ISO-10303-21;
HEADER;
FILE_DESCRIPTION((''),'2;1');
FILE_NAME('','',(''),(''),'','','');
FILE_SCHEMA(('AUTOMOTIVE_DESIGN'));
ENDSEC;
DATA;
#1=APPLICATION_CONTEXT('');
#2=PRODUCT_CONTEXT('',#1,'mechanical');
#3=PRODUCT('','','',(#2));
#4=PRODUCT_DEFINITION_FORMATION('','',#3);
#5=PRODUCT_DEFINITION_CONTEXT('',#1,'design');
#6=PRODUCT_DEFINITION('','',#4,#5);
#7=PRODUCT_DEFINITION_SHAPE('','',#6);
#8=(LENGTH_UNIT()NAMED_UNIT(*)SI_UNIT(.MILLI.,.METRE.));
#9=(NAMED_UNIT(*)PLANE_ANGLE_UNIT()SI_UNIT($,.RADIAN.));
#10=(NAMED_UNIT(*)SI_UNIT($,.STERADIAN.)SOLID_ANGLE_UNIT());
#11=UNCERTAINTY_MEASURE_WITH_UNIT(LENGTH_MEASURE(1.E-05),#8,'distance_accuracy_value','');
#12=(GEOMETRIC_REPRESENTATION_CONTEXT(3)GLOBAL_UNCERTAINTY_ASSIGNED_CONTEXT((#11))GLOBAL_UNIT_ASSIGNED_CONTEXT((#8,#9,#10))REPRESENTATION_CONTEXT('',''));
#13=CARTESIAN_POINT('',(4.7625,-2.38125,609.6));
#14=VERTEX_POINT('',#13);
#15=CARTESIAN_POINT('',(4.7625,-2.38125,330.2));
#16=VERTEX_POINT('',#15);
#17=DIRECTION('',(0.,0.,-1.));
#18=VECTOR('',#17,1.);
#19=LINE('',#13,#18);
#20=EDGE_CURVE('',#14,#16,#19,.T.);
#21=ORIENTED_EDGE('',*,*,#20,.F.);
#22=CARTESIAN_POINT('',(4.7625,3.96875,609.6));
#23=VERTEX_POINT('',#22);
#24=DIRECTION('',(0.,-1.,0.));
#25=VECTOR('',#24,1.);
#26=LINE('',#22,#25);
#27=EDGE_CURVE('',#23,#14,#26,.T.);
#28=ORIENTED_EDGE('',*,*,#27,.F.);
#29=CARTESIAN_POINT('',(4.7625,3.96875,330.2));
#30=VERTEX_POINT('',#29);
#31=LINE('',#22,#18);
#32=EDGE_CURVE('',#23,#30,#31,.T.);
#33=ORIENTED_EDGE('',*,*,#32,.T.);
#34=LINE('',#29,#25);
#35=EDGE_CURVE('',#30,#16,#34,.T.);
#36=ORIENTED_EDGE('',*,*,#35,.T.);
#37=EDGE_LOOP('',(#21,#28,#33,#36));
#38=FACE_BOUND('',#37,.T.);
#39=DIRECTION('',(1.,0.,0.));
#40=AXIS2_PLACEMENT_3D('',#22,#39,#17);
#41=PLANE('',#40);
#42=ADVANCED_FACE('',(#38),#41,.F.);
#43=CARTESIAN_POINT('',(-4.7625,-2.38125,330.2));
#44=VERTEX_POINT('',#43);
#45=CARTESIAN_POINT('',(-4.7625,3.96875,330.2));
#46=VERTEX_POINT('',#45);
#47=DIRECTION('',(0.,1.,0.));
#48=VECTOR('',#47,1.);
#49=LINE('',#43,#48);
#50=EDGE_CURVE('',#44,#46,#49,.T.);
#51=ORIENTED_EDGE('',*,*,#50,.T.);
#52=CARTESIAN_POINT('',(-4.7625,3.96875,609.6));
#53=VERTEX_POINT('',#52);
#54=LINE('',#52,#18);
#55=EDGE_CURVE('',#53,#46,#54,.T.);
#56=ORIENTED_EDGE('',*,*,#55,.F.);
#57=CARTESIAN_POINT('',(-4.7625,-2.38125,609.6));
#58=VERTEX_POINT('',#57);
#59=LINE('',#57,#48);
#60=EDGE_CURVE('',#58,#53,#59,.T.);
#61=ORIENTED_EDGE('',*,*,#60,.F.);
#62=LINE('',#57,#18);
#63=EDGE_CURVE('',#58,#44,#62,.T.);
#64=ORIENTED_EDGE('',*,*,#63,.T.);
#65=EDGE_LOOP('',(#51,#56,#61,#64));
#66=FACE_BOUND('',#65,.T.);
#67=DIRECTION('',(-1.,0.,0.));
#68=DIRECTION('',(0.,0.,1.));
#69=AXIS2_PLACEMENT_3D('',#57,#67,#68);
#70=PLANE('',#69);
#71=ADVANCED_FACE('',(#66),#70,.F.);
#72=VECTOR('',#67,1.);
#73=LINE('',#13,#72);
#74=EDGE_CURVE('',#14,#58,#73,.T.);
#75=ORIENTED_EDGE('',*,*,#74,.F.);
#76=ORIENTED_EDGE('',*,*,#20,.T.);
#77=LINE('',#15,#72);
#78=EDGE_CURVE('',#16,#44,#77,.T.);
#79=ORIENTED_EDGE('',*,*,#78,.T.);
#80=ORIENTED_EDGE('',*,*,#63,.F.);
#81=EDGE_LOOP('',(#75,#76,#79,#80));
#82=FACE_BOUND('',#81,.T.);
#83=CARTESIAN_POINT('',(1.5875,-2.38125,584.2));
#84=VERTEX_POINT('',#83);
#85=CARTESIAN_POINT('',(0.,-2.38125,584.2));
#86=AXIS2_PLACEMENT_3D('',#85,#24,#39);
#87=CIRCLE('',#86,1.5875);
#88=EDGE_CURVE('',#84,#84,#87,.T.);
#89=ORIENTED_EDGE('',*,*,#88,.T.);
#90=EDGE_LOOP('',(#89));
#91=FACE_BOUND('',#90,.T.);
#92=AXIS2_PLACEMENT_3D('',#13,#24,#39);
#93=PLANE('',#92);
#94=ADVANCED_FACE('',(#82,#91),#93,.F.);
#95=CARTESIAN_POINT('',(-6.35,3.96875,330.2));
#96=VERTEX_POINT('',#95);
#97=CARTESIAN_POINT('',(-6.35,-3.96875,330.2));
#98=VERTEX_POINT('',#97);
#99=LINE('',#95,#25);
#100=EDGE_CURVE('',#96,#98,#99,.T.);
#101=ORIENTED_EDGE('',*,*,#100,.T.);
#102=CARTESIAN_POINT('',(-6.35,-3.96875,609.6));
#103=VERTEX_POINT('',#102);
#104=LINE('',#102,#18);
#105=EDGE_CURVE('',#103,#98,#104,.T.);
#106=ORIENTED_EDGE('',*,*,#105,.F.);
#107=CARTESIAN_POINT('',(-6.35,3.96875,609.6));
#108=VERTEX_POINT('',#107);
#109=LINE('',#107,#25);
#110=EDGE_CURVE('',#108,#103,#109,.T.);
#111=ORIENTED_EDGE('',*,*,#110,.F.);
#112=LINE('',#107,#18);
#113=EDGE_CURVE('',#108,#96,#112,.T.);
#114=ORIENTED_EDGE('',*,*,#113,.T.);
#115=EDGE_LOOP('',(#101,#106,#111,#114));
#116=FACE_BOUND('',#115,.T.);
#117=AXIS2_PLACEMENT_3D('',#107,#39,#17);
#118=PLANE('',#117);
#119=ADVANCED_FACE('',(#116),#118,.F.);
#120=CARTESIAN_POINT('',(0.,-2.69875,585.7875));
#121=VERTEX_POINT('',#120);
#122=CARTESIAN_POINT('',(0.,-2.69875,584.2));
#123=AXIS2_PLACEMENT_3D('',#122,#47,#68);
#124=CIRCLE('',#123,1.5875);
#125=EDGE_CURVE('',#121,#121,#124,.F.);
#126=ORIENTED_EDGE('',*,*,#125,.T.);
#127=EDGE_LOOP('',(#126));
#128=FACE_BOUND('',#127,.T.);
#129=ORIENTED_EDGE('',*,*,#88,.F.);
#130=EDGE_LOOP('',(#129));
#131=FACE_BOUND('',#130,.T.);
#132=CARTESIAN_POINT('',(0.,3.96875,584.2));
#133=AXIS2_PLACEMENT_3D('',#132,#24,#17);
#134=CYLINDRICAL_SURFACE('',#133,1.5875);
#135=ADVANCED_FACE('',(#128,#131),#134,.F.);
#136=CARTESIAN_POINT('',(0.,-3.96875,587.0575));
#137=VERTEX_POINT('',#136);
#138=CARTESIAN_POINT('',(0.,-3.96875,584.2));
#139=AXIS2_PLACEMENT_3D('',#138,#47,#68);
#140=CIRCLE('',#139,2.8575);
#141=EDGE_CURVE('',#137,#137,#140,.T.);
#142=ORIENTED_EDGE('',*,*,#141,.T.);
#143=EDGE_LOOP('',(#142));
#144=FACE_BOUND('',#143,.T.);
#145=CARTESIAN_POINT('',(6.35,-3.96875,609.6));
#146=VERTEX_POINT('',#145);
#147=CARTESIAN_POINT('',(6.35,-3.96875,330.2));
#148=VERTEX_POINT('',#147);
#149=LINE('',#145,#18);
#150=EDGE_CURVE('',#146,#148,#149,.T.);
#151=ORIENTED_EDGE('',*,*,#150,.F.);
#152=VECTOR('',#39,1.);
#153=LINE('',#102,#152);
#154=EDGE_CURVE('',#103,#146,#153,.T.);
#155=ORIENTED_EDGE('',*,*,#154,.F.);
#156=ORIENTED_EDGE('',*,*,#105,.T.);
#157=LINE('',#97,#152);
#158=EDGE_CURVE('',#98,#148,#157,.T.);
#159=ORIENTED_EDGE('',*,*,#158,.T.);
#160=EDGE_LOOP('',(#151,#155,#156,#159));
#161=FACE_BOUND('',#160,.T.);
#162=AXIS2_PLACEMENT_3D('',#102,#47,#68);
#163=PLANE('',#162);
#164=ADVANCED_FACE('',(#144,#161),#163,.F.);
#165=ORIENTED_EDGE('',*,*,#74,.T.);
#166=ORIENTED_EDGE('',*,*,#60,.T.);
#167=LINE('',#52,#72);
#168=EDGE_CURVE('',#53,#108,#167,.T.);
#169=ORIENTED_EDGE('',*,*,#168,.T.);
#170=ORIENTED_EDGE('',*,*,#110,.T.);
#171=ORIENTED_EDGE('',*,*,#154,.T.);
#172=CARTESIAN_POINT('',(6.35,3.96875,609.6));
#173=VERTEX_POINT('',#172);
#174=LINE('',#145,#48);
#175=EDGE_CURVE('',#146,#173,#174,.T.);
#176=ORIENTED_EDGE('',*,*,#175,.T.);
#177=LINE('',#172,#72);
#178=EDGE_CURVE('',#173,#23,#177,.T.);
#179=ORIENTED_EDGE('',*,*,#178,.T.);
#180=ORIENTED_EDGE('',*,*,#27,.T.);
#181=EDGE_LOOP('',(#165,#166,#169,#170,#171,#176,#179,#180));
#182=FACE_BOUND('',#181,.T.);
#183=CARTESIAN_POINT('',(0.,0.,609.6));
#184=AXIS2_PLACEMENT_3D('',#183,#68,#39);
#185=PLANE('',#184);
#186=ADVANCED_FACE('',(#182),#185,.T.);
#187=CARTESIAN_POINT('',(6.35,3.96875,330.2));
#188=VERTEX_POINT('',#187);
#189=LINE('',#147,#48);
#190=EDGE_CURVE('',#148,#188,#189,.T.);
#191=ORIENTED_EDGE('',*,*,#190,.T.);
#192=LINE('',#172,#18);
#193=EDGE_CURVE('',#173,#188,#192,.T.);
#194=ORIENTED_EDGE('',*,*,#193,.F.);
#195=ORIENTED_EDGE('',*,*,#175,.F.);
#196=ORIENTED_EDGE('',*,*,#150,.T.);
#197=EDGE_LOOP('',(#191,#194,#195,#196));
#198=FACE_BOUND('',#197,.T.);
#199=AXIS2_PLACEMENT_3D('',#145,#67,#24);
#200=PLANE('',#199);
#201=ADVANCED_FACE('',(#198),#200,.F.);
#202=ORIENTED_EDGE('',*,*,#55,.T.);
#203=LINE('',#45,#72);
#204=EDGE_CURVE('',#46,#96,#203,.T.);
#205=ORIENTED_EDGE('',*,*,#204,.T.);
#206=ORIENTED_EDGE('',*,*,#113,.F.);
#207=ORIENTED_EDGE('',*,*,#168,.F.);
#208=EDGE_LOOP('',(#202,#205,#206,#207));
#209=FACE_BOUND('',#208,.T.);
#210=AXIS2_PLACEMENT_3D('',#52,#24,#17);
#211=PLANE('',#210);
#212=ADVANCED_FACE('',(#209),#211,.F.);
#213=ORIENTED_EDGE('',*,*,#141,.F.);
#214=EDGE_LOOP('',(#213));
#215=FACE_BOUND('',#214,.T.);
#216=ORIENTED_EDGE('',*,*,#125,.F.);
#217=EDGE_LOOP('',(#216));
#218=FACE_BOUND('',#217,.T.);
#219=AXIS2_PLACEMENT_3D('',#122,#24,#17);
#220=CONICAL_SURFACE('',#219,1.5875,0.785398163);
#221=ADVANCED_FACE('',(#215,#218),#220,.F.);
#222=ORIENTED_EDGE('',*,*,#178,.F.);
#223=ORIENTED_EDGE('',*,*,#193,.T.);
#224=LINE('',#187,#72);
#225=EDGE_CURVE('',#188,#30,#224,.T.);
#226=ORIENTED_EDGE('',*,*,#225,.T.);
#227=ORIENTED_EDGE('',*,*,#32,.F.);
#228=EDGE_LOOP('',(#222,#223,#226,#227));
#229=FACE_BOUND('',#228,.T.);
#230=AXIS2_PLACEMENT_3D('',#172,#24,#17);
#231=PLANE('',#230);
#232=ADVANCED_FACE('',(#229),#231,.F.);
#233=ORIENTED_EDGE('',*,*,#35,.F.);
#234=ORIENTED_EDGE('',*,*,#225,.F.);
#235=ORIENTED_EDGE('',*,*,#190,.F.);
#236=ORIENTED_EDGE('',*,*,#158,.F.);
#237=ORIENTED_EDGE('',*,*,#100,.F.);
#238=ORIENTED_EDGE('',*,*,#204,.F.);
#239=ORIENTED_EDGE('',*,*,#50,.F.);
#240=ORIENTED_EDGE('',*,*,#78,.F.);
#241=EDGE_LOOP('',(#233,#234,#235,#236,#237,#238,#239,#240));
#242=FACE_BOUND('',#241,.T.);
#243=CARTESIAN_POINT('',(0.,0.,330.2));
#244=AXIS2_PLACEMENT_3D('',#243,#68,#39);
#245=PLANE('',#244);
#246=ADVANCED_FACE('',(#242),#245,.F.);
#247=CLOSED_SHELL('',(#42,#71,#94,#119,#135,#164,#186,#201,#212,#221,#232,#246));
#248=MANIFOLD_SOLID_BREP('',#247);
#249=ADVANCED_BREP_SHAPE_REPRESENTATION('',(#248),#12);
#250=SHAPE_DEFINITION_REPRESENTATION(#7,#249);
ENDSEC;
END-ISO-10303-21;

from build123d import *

# Parameters (mm, degrees)
BOSS_EXTRUDE2_DEPTH = 609.6
SKETCH4_W           = 17.43115111
SKETCH4_H           = 13.311100502
CUT_EXTRUDE1_DEPTH  = 939.8
SKETCH5_R           = 1.5875
CUT_EXTRUDE2_DEPTH  = 610.684743459
CHAMFER1_SIZE       = 1.27


with BuildPart() as part:
    # Sketch3 → Boss-Extrude2 (new, symmetric)
    with BuildSketch(Plane.XY):
        Polygon((-6.35, 3.96875), (-6.35, -3.96875), (6.35, -3.96875), (6.35, 3.96875), (4.7625, 3.96875), (4.7625, -2.38125), (-4.7625, -2.38125), (-4.7625, 3.96875), align=None)
    extrude(amount=BOSS_EXTRUDE2_DEPTH, both=True)

    # Sketch4 → Cut-Extrude1 (cut)
    with BuildSketch(Plane.XY.offset(-609.6)):
        Rectangle(SKETCH4_W, SKETCH4_H)
    extrude(amount=CUT_EXTRUDE1_DEPTH, mode=Mode.SUBTRACT)

    # Sketch5 → Cut-Extrude2 (cut, through all)
    with BuildSketch(Plane.XZ.offset(3.96875)):
        with Locations(Location((0, 584.2, 0), (0, 0, 270))):
            Circle(SKETCH5_R)
    extrude(amount=-CUT_EXTRUDE2_DEPTH, mode=Mode.SUBTRACT)

    # Chamfer1
    chamfer1_edges = [part.edges().sort_by_distance(p)[0] for p in [
        (0, -3.96875, 585.7875),
    ]]
    chamfer(chamfer1_edges, length=CHAMFER1_SIZE)


solid = part.part
